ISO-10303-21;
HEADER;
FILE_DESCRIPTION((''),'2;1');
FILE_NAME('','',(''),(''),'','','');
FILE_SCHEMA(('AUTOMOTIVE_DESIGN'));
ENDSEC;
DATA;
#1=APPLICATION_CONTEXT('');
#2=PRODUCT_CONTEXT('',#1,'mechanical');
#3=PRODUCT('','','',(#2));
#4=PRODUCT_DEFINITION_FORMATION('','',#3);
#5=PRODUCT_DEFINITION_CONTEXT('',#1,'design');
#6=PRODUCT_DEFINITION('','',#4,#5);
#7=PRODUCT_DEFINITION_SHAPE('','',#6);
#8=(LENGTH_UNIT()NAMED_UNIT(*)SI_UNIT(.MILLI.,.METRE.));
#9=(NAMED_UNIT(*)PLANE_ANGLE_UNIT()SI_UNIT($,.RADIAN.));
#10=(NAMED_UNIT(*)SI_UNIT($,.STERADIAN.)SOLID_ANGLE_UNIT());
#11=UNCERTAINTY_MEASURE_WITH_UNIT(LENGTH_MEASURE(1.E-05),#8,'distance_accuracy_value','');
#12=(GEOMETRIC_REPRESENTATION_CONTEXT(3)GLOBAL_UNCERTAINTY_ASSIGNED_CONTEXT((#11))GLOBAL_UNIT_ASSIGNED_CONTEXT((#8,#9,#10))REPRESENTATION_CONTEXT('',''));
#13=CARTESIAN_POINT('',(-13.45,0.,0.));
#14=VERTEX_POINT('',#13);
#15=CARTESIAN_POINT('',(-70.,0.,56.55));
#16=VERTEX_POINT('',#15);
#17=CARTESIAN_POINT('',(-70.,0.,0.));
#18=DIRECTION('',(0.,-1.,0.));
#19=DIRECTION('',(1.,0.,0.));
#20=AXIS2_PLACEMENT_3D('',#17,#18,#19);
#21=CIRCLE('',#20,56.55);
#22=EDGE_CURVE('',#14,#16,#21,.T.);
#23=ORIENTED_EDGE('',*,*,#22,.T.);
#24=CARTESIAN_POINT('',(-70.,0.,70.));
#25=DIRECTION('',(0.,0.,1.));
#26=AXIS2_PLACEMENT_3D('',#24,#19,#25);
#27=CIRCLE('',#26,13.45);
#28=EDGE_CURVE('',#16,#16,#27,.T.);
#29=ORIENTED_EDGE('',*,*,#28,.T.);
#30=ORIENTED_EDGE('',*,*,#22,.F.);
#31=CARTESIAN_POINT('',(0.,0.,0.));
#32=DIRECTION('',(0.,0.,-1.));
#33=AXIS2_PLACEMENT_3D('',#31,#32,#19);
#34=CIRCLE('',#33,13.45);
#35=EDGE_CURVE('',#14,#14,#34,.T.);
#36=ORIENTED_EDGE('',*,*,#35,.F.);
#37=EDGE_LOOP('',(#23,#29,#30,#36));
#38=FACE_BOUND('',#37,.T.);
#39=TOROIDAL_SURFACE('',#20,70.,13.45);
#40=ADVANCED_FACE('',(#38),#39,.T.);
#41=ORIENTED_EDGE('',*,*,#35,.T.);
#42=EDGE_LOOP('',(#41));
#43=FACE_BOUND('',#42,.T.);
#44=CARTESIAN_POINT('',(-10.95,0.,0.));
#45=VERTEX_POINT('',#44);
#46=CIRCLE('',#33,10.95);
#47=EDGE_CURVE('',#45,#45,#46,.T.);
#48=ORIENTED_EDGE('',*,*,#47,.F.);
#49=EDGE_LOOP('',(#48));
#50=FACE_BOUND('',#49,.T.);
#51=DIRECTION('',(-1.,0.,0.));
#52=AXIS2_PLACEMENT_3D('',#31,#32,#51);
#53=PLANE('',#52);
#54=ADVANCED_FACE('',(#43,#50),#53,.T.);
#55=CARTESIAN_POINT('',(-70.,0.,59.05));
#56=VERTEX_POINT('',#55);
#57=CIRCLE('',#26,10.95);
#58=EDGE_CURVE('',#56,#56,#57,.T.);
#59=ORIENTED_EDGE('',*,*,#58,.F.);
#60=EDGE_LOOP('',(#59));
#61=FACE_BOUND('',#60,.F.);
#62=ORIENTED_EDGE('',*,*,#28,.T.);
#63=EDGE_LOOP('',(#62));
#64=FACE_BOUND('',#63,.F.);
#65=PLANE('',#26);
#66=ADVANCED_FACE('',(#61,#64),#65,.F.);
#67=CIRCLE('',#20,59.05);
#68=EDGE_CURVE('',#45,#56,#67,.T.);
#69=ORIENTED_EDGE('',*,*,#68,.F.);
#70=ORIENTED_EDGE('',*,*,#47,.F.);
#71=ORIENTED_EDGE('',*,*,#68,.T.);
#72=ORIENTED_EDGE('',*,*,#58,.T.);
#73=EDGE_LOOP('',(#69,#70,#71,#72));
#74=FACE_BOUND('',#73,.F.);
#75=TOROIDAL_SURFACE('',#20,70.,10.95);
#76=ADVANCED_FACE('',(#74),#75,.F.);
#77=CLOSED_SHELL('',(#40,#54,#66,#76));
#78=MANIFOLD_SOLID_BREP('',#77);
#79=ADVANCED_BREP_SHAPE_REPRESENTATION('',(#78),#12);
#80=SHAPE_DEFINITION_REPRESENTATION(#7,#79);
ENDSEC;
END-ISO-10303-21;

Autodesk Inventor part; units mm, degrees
ref_plane "Start Plane" through (0, 0, 0) normal (0, 0, 1) x (1, 0, 0)
ref_plane "End Plane" through (0, 0, 109.9557) normal (0, 0, 1) x (1, 0, 0)
sketch "Sketch" plane through (0, 0, 0) normal (0, 0, -1) x (-1, 0, 0)
  circle A0 centre (0, 0) radius 10.95
  circle A1 centre (0, 0) radius 13.45
  dimension "d0" = 26.9
  dimension "d1" = 2.5
sketch "Sketch3" plane through (0, 0, 0) normal (0, 0, 1) x (1, 0, 0)
  line L0 (0, 0) -> (10, 0)
ref_plane "Work Plane3" through (0, 0, 0) normal (0, -1, 0) x (1, 0, 0)
ref_plane "Orientation Work Plane" through (0, 0, 0) normal (0, 0, -1) x (-1, 0, 0)
sketch3d "Sweep Path"
  arc A0 (0, 0, 0) -> (-70, 0, 70) centre (-70, 0, 0) ccw
sweep "Body" add profiles "Sketch" path "Sweep Path"
sketch "Sketch4" plane through (0, 0, 0) normal (0, -1, 0) x (1, 0, 0)
  line L0 (-2, 0) -> (12, 0) projected
  line L1 (-86.69, 109.9557) -> (30.14, 109.9557) projected
  dimension "d7" = 109.9557
equation "\"d0\" = G_H"
equation "\"d1\" = G_T"
equation "\"G_H\" = 26.9"
equation "\"G_T\" = 2.5"
equation "\"G_L\" = d7"
equation "\"G_OFFSET_START\" = 0"
equation "\"G_OFFSET_END\" = 0"
equation "\"d5\" = G_OFFSET_END + B_L"
equation "\"B_L\" = 109.955743"
properties part number "ISO 4019 - 26.9x2.5 - 109,96" material "Steel"
